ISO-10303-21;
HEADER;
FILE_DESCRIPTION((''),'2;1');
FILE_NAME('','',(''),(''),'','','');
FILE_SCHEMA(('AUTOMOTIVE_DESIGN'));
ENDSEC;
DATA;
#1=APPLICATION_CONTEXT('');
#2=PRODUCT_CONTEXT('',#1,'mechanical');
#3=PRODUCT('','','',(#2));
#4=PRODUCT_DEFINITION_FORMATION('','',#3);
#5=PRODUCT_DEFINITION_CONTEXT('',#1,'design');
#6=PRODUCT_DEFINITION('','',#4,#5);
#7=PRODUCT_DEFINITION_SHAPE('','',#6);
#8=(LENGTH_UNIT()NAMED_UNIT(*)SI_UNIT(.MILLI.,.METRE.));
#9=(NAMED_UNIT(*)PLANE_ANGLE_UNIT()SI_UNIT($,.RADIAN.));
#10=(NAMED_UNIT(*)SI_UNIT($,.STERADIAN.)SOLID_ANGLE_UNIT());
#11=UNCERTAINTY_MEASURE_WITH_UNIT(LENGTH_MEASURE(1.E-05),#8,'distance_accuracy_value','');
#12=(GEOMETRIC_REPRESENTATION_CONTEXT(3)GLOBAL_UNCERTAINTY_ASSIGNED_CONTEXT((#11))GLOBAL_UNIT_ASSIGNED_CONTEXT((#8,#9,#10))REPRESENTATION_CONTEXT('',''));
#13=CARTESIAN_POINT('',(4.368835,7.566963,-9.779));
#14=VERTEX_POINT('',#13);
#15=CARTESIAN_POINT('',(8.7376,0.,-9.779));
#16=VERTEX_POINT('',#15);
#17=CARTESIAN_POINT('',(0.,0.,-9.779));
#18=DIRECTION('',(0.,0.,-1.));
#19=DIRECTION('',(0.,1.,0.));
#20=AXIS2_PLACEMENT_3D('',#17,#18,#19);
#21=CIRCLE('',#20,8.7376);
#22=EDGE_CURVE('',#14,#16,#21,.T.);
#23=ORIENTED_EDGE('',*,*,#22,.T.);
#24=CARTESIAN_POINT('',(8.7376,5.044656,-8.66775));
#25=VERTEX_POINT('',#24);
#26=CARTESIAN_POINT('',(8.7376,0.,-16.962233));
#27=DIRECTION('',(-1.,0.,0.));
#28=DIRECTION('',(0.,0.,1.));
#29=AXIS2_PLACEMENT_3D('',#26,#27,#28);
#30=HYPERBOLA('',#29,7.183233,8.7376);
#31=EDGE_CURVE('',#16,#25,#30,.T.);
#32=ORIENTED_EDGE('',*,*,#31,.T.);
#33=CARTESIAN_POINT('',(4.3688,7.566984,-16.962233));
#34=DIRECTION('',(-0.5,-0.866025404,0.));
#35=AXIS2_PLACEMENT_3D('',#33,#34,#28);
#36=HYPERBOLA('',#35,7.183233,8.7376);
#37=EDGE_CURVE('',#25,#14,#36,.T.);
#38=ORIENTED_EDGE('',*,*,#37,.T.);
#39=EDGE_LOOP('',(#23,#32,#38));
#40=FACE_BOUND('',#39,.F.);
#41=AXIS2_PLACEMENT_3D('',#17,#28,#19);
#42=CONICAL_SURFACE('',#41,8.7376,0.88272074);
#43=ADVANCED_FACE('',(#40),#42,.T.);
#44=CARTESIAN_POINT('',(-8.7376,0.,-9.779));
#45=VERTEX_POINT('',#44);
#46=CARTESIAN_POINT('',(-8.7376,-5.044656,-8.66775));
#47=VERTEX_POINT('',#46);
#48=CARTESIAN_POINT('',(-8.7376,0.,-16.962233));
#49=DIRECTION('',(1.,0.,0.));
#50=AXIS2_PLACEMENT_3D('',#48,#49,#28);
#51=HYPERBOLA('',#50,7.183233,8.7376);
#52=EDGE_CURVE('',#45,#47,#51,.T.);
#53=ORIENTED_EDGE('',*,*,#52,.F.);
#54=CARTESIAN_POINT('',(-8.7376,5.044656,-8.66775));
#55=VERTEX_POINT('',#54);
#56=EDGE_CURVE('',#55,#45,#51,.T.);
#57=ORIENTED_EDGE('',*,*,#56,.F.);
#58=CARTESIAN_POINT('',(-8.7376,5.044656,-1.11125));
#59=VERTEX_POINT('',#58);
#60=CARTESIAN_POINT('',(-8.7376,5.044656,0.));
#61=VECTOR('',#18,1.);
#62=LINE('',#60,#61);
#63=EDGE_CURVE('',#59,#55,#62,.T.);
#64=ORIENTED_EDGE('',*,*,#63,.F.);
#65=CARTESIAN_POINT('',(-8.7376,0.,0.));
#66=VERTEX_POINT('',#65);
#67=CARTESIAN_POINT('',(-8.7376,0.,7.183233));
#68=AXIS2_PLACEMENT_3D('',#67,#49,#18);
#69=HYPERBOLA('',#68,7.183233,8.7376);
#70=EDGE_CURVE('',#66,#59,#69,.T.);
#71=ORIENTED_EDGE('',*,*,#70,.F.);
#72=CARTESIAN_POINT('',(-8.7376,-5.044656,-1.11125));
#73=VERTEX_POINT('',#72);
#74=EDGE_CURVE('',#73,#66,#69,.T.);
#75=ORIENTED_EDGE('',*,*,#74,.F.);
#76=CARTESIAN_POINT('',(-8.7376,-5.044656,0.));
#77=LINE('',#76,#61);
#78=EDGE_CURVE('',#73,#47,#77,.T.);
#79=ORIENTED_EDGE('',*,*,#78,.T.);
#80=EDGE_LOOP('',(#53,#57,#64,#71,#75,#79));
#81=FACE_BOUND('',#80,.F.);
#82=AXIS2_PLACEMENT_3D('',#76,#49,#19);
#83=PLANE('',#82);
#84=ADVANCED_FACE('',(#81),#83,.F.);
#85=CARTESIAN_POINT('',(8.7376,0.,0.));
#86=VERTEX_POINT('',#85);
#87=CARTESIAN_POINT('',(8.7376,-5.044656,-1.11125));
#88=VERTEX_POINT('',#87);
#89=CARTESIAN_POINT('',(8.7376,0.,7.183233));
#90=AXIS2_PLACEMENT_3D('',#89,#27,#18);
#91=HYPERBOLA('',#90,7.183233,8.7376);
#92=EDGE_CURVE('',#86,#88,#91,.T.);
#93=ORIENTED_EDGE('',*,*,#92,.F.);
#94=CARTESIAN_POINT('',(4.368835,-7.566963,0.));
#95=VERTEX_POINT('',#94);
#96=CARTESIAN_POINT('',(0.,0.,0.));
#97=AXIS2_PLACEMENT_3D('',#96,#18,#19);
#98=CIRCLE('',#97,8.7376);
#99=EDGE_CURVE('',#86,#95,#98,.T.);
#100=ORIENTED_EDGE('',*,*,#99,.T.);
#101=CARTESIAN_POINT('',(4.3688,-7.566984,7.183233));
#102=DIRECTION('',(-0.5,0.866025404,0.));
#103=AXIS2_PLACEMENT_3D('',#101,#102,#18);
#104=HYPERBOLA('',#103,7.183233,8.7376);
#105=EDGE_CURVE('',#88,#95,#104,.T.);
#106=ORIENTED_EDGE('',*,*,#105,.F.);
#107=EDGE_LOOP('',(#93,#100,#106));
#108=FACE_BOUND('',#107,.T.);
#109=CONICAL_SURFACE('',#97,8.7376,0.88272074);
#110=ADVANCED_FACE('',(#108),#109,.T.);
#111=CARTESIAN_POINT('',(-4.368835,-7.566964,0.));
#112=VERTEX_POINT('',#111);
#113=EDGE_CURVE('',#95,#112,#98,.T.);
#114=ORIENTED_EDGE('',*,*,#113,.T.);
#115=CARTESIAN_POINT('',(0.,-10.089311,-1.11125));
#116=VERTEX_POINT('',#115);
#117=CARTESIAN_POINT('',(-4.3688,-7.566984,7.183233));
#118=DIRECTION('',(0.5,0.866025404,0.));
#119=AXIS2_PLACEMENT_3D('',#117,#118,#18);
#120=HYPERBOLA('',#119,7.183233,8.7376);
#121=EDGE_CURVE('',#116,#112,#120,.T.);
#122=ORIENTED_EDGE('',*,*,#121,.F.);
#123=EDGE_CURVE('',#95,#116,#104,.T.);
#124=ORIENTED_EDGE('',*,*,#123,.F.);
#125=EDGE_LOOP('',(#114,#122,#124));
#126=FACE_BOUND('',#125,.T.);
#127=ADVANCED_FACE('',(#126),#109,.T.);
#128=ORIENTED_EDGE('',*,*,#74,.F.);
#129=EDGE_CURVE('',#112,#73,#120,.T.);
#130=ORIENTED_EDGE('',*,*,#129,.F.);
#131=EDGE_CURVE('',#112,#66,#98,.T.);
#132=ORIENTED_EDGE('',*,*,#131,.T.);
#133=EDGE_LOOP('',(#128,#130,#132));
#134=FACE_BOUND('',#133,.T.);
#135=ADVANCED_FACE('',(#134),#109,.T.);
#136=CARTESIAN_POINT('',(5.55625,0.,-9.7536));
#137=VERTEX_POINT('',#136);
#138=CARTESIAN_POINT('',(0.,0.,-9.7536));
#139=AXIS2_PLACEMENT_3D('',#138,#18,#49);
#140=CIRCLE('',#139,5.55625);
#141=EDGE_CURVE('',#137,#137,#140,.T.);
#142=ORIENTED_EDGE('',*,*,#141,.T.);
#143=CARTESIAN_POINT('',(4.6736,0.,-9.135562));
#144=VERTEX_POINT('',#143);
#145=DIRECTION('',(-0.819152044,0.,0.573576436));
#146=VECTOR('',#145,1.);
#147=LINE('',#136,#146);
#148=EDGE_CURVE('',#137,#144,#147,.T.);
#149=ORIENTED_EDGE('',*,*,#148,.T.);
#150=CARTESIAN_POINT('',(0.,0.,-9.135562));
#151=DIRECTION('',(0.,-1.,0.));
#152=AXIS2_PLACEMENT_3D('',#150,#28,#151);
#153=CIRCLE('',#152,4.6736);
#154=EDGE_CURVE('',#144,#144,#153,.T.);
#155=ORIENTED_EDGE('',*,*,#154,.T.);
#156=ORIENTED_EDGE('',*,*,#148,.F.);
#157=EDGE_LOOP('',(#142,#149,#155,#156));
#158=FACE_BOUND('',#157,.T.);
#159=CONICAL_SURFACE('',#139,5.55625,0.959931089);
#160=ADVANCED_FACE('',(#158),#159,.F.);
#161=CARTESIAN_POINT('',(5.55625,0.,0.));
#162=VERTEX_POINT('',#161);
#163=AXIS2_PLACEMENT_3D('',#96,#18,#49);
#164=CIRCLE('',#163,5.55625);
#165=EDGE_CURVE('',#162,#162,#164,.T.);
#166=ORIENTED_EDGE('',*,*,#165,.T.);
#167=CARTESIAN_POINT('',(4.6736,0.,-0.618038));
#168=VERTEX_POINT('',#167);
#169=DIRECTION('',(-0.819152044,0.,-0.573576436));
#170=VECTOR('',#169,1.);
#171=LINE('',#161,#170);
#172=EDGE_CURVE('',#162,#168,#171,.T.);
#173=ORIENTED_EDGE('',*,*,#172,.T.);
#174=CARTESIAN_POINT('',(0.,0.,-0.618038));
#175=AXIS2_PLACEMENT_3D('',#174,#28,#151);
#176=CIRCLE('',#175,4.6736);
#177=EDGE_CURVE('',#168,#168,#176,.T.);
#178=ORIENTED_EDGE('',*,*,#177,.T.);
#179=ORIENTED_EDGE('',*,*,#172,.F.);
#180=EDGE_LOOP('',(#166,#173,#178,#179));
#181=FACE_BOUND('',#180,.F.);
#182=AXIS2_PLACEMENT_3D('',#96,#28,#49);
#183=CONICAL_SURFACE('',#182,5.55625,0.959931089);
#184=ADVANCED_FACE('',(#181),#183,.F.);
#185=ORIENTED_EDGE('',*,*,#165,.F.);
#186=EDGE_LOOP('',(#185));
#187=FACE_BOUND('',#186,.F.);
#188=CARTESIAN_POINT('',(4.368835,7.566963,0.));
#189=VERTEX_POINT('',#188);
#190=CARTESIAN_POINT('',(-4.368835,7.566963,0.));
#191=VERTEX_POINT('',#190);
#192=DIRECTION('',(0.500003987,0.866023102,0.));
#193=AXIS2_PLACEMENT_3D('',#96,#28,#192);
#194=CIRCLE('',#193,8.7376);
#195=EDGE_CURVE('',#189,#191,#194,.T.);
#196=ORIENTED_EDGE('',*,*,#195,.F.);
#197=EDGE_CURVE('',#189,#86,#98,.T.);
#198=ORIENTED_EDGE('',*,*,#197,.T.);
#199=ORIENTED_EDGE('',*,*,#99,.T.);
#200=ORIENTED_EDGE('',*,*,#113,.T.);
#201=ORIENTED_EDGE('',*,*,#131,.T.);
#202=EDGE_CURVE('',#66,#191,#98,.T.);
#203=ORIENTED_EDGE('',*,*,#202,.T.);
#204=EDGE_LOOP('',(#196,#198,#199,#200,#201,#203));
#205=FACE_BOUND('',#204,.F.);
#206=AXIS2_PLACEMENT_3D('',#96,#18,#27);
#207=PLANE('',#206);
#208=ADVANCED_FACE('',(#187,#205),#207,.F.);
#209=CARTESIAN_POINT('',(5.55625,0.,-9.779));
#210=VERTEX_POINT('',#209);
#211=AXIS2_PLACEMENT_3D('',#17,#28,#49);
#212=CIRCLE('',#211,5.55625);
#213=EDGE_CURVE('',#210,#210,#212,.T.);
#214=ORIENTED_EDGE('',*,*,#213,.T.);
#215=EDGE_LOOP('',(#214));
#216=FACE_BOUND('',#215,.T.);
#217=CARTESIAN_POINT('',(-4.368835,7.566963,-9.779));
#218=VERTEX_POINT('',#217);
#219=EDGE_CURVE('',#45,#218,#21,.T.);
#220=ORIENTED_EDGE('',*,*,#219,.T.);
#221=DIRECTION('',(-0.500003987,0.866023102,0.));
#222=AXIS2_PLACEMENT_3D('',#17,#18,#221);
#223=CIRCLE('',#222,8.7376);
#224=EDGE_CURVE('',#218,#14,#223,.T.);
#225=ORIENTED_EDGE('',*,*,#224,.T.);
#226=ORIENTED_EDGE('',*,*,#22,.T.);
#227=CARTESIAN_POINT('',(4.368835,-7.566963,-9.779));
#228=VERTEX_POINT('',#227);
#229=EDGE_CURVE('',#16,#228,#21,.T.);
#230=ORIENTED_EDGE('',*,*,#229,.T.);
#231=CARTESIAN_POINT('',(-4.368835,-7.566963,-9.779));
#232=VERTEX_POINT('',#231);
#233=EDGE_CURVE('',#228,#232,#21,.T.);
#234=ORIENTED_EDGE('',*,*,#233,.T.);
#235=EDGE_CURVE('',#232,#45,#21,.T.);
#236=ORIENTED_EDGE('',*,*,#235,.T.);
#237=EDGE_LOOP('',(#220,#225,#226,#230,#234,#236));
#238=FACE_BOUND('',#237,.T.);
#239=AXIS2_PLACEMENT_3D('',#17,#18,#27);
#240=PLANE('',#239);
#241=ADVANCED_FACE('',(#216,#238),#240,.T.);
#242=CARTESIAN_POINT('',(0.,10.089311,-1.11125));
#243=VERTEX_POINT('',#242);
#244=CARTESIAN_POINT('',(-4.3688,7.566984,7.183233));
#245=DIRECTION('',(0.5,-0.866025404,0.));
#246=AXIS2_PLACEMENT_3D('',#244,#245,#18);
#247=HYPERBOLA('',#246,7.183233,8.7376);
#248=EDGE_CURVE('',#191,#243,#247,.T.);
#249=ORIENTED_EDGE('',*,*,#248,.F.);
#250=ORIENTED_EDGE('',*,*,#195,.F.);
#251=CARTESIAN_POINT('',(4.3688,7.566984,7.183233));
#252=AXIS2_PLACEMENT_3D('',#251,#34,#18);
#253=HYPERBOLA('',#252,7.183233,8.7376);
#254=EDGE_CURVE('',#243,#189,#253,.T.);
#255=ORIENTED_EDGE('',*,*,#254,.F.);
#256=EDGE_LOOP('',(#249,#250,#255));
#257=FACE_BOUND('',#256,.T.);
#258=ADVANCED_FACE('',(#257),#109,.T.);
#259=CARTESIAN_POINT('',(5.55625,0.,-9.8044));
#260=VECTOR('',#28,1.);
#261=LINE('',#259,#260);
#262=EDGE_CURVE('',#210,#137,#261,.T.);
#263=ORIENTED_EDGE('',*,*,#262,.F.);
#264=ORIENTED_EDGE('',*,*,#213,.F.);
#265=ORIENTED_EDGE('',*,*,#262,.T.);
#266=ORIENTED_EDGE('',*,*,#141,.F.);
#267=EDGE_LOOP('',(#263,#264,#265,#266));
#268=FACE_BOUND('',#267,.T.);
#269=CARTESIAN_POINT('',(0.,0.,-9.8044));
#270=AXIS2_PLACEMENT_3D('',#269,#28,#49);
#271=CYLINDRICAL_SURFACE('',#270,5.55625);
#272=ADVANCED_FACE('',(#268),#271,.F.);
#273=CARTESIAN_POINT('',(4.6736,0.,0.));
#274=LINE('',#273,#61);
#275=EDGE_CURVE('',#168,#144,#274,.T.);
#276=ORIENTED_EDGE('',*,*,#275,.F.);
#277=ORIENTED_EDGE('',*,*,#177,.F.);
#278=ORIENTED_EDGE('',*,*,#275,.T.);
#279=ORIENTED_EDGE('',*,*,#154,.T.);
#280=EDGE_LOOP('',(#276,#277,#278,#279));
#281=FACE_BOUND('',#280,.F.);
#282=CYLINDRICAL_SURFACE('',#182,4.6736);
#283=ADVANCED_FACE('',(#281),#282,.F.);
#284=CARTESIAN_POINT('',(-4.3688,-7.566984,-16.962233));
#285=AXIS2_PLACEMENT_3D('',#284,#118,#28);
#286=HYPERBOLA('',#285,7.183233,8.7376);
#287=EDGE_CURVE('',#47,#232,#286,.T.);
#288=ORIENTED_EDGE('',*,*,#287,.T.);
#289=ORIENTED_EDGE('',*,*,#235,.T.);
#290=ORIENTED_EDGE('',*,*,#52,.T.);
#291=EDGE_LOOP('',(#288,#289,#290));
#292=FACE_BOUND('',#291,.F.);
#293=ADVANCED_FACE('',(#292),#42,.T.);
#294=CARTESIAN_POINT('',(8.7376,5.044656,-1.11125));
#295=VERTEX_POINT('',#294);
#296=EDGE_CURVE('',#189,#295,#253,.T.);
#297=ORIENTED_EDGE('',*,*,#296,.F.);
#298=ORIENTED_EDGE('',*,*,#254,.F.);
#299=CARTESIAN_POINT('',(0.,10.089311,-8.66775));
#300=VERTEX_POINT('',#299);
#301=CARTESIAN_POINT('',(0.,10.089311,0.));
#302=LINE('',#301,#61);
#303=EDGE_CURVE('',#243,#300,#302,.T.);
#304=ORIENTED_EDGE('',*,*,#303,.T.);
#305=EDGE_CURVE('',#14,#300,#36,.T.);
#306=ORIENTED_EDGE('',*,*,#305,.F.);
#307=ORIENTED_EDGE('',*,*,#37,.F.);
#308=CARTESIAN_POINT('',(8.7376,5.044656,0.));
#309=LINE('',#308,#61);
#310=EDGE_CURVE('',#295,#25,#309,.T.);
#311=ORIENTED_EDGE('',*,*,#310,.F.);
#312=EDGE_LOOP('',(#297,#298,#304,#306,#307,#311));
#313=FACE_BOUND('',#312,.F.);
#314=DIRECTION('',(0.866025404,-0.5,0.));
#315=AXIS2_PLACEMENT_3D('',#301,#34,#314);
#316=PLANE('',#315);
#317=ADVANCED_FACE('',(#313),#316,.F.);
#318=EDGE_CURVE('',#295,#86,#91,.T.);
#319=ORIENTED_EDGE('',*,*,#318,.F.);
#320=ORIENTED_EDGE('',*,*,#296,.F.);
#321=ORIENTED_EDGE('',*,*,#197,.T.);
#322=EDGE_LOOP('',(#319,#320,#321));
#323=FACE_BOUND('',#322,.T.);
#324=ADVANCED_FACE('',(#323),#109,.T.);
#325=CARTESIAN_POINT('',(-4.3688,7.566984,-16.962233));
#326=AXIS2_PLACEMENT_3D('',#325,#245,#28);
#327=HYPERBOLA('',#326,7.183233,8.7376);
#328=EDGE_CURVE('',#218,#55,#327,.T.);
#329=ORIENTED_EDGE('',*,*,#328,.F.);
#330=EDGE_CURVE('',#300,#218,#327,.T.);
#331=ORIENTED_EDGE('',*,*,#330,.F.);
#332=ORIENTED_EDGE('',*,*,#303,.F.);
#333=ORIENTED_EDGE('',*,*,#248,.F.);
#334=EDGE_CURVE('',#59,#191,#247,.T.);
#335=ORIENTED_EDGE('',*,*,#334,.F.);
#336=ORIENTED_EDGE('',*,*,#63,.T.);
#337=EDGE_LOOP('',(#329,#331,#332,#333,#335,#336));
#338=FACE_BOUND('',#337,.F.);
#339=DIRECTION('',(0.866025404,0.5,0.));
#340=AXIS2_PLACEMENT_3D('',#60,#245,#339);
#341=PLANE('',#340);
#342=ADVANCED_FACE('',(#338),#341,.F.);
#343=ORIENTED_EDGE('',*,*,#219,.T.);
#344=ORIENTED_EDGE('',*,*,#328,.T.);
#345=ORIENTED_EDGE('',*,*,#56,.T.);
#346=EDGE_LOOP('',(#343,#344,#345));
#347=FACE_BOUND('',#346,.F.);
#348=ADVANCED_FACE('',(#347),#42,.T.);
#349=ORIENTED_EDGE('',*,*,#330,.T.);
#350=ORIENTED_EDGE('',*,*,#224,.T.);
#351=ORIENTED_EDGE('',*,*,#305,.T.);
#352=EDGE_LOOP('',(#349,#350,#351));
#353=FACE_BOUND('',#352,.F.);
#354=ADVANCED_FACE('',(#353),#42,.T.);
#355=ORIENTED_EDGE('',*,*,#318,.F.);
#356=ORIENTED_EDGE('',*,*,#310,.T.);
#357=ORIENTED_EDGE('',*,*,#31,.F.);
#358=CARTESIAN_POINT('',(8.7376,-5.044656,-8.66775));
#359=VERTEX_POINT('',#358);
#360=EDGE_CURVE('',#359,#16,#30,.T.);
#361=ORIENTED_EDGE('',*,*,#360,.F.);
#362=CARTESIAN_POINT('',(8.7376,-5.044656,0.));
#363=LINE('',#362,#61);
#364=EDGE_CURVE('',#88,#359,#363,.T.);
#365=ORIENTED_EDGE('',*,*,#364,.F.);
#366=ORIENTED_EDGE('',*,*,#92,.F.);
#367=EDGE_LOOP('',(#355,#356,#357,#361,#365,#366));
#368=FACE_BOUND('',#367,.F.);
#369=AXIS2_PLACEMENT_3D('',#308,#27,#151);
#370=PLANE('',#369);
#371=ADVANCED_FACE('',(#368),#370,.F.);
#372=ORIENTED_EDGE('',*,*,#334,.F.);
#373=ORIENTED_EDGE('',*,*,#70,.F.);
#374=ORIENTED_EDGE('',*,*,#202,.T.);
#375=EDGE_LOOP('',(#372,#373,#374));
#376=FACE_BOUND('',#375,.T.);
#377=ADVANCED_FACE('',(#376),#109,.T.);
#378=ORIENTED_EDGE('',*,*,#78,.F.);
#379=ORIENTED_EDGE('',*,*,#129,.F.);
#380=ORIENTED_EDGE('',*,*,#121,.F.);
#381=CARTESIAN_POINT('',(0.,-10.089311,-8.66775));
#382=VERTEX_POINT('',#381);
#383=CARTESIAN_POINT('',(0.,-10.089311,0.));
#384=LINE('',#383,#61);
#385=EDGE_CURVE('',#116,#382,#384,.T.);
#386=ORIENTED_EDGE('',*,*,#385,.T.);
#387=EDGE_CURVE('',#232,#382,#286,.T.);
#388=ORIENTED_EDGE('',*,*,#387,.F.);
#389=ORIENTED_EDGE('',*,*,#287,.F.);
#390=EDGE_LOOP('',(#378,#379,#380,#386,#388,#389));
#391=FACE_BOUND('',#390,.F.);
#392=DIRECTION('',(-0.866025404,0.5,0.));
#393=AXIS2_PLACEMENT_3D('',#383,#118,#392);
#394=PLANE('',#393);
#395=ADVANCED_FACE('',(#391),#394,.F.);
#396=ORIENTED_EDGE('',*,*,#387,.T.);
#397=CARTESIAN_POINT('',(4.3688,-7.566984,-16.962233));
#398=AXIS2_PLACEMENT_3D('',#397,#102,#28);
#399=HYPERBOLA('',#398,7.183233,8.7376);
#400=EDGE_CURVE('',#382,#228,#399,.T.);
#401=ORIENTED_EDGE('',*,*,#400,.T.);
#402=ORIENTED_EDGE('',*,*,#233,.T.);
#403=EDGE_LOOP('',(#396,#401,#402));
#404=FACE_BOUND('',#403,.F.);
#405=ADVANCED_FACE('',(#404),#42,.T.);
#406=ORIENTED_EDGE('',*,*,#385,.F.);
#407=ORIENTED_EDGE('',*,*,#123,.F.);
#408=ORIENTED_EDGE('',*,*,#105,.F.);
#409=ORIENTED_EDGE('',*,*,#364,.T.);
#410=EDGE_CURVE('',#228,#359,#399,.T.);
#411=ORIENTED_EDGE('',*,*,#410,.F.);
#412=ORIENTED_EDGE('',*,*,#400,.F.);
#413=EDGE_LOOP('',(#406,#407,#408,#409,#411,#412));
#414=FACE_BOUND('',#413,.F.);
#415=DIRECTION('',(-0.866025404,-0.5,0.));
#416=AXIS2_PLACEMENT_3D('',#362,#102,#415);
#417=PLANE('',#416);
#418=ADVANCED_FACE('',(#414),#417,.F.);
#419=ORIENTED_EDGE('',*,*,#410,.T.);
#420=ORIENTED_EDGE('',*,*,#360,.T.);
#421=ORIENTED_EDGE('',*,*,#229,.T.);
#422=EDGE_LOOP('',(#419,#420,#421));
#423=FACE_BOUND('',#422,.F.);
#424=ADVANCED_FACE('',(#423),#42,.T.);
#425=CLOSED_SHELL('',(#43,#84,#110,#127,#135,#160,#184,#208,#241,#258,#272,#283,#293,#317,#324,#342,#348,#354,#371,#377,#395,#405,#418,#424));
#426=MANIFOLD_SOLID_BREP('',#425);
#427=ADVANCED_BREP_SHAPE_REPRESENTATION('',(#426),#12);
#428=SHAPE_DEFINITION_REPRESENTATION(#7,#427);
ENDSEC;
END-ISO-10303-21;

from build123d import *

# Parameters (mm, degrees)
BASENUTSKE_R  = 4.6736
BASENUT_DEPTH = 9.779


with BuildPart() as part:
    # BaseNutSke → BaseNut (new body)
    with BuildSketch(Plane.XY):
        Polygon((8.7376, 5.044655712), (8.7376, -5.044655712), (0, -10.089311424), (-8.7376, -5.044655712), (-8.7376, 5.044655712), (0, 10.089311424), align=None)
        Circle(BASENUTSKE_R, mode=Mode.SUBTRACT)
    extrude(amount=-BASENUT_DEPTH)

    # Sketch3 → Double-Chamfer (revolve, cut)
    with BuildSketch(Plane(origin=(0, 0, 0), x_dir=(0, 0, -1), z_dir=(1, 0, 0))):
        Polygon((9.779, 8.7376), (8.66775, 10.089311424), (8.66775, 22.789311424), (22.479, 22.789311424), (22.479, 8.7376), align=None)
        Polygon((1.11125, 22.789311424), (-12.7, 22.789311424), (-12.7, 8.7376), (0, 8.7376), (1.11125, 10.089311424), align=None)
    revolve(axis=Axis((0, 0, 0), (0, 0, -1)), mode=Mode.SUBTRACT)

    # Sketch5 → EndChamfer (revolve, cut)
    with BuildSketch(Plane(origin=(0, 0, 0), x_dir=(0, 0, -1), z_dir=(1, 0, 0)), mode=Mode.PRIVATE) as endchamfer_sk:
        Polygon((9.7536, 5.55625), (9.073757998, 4.585335), (9.8044, 4.585335), (9.8044, 5.55625), align=None)
        Polygon((-0.0508, 5.55625), (0, 5.55625), (0.679842002, 4.585335), (-0.0508, 4.585335), align=None)
    revolve(endchamfer_sk.sketch.rotate(Axis((0, 0, -25.037505729), (0, 0, -1)), 90), axis=Axis((0, 0, -25.037505729), (0, 0, -1)), mode=Mode.SUBTRACT)


solid = part.part
